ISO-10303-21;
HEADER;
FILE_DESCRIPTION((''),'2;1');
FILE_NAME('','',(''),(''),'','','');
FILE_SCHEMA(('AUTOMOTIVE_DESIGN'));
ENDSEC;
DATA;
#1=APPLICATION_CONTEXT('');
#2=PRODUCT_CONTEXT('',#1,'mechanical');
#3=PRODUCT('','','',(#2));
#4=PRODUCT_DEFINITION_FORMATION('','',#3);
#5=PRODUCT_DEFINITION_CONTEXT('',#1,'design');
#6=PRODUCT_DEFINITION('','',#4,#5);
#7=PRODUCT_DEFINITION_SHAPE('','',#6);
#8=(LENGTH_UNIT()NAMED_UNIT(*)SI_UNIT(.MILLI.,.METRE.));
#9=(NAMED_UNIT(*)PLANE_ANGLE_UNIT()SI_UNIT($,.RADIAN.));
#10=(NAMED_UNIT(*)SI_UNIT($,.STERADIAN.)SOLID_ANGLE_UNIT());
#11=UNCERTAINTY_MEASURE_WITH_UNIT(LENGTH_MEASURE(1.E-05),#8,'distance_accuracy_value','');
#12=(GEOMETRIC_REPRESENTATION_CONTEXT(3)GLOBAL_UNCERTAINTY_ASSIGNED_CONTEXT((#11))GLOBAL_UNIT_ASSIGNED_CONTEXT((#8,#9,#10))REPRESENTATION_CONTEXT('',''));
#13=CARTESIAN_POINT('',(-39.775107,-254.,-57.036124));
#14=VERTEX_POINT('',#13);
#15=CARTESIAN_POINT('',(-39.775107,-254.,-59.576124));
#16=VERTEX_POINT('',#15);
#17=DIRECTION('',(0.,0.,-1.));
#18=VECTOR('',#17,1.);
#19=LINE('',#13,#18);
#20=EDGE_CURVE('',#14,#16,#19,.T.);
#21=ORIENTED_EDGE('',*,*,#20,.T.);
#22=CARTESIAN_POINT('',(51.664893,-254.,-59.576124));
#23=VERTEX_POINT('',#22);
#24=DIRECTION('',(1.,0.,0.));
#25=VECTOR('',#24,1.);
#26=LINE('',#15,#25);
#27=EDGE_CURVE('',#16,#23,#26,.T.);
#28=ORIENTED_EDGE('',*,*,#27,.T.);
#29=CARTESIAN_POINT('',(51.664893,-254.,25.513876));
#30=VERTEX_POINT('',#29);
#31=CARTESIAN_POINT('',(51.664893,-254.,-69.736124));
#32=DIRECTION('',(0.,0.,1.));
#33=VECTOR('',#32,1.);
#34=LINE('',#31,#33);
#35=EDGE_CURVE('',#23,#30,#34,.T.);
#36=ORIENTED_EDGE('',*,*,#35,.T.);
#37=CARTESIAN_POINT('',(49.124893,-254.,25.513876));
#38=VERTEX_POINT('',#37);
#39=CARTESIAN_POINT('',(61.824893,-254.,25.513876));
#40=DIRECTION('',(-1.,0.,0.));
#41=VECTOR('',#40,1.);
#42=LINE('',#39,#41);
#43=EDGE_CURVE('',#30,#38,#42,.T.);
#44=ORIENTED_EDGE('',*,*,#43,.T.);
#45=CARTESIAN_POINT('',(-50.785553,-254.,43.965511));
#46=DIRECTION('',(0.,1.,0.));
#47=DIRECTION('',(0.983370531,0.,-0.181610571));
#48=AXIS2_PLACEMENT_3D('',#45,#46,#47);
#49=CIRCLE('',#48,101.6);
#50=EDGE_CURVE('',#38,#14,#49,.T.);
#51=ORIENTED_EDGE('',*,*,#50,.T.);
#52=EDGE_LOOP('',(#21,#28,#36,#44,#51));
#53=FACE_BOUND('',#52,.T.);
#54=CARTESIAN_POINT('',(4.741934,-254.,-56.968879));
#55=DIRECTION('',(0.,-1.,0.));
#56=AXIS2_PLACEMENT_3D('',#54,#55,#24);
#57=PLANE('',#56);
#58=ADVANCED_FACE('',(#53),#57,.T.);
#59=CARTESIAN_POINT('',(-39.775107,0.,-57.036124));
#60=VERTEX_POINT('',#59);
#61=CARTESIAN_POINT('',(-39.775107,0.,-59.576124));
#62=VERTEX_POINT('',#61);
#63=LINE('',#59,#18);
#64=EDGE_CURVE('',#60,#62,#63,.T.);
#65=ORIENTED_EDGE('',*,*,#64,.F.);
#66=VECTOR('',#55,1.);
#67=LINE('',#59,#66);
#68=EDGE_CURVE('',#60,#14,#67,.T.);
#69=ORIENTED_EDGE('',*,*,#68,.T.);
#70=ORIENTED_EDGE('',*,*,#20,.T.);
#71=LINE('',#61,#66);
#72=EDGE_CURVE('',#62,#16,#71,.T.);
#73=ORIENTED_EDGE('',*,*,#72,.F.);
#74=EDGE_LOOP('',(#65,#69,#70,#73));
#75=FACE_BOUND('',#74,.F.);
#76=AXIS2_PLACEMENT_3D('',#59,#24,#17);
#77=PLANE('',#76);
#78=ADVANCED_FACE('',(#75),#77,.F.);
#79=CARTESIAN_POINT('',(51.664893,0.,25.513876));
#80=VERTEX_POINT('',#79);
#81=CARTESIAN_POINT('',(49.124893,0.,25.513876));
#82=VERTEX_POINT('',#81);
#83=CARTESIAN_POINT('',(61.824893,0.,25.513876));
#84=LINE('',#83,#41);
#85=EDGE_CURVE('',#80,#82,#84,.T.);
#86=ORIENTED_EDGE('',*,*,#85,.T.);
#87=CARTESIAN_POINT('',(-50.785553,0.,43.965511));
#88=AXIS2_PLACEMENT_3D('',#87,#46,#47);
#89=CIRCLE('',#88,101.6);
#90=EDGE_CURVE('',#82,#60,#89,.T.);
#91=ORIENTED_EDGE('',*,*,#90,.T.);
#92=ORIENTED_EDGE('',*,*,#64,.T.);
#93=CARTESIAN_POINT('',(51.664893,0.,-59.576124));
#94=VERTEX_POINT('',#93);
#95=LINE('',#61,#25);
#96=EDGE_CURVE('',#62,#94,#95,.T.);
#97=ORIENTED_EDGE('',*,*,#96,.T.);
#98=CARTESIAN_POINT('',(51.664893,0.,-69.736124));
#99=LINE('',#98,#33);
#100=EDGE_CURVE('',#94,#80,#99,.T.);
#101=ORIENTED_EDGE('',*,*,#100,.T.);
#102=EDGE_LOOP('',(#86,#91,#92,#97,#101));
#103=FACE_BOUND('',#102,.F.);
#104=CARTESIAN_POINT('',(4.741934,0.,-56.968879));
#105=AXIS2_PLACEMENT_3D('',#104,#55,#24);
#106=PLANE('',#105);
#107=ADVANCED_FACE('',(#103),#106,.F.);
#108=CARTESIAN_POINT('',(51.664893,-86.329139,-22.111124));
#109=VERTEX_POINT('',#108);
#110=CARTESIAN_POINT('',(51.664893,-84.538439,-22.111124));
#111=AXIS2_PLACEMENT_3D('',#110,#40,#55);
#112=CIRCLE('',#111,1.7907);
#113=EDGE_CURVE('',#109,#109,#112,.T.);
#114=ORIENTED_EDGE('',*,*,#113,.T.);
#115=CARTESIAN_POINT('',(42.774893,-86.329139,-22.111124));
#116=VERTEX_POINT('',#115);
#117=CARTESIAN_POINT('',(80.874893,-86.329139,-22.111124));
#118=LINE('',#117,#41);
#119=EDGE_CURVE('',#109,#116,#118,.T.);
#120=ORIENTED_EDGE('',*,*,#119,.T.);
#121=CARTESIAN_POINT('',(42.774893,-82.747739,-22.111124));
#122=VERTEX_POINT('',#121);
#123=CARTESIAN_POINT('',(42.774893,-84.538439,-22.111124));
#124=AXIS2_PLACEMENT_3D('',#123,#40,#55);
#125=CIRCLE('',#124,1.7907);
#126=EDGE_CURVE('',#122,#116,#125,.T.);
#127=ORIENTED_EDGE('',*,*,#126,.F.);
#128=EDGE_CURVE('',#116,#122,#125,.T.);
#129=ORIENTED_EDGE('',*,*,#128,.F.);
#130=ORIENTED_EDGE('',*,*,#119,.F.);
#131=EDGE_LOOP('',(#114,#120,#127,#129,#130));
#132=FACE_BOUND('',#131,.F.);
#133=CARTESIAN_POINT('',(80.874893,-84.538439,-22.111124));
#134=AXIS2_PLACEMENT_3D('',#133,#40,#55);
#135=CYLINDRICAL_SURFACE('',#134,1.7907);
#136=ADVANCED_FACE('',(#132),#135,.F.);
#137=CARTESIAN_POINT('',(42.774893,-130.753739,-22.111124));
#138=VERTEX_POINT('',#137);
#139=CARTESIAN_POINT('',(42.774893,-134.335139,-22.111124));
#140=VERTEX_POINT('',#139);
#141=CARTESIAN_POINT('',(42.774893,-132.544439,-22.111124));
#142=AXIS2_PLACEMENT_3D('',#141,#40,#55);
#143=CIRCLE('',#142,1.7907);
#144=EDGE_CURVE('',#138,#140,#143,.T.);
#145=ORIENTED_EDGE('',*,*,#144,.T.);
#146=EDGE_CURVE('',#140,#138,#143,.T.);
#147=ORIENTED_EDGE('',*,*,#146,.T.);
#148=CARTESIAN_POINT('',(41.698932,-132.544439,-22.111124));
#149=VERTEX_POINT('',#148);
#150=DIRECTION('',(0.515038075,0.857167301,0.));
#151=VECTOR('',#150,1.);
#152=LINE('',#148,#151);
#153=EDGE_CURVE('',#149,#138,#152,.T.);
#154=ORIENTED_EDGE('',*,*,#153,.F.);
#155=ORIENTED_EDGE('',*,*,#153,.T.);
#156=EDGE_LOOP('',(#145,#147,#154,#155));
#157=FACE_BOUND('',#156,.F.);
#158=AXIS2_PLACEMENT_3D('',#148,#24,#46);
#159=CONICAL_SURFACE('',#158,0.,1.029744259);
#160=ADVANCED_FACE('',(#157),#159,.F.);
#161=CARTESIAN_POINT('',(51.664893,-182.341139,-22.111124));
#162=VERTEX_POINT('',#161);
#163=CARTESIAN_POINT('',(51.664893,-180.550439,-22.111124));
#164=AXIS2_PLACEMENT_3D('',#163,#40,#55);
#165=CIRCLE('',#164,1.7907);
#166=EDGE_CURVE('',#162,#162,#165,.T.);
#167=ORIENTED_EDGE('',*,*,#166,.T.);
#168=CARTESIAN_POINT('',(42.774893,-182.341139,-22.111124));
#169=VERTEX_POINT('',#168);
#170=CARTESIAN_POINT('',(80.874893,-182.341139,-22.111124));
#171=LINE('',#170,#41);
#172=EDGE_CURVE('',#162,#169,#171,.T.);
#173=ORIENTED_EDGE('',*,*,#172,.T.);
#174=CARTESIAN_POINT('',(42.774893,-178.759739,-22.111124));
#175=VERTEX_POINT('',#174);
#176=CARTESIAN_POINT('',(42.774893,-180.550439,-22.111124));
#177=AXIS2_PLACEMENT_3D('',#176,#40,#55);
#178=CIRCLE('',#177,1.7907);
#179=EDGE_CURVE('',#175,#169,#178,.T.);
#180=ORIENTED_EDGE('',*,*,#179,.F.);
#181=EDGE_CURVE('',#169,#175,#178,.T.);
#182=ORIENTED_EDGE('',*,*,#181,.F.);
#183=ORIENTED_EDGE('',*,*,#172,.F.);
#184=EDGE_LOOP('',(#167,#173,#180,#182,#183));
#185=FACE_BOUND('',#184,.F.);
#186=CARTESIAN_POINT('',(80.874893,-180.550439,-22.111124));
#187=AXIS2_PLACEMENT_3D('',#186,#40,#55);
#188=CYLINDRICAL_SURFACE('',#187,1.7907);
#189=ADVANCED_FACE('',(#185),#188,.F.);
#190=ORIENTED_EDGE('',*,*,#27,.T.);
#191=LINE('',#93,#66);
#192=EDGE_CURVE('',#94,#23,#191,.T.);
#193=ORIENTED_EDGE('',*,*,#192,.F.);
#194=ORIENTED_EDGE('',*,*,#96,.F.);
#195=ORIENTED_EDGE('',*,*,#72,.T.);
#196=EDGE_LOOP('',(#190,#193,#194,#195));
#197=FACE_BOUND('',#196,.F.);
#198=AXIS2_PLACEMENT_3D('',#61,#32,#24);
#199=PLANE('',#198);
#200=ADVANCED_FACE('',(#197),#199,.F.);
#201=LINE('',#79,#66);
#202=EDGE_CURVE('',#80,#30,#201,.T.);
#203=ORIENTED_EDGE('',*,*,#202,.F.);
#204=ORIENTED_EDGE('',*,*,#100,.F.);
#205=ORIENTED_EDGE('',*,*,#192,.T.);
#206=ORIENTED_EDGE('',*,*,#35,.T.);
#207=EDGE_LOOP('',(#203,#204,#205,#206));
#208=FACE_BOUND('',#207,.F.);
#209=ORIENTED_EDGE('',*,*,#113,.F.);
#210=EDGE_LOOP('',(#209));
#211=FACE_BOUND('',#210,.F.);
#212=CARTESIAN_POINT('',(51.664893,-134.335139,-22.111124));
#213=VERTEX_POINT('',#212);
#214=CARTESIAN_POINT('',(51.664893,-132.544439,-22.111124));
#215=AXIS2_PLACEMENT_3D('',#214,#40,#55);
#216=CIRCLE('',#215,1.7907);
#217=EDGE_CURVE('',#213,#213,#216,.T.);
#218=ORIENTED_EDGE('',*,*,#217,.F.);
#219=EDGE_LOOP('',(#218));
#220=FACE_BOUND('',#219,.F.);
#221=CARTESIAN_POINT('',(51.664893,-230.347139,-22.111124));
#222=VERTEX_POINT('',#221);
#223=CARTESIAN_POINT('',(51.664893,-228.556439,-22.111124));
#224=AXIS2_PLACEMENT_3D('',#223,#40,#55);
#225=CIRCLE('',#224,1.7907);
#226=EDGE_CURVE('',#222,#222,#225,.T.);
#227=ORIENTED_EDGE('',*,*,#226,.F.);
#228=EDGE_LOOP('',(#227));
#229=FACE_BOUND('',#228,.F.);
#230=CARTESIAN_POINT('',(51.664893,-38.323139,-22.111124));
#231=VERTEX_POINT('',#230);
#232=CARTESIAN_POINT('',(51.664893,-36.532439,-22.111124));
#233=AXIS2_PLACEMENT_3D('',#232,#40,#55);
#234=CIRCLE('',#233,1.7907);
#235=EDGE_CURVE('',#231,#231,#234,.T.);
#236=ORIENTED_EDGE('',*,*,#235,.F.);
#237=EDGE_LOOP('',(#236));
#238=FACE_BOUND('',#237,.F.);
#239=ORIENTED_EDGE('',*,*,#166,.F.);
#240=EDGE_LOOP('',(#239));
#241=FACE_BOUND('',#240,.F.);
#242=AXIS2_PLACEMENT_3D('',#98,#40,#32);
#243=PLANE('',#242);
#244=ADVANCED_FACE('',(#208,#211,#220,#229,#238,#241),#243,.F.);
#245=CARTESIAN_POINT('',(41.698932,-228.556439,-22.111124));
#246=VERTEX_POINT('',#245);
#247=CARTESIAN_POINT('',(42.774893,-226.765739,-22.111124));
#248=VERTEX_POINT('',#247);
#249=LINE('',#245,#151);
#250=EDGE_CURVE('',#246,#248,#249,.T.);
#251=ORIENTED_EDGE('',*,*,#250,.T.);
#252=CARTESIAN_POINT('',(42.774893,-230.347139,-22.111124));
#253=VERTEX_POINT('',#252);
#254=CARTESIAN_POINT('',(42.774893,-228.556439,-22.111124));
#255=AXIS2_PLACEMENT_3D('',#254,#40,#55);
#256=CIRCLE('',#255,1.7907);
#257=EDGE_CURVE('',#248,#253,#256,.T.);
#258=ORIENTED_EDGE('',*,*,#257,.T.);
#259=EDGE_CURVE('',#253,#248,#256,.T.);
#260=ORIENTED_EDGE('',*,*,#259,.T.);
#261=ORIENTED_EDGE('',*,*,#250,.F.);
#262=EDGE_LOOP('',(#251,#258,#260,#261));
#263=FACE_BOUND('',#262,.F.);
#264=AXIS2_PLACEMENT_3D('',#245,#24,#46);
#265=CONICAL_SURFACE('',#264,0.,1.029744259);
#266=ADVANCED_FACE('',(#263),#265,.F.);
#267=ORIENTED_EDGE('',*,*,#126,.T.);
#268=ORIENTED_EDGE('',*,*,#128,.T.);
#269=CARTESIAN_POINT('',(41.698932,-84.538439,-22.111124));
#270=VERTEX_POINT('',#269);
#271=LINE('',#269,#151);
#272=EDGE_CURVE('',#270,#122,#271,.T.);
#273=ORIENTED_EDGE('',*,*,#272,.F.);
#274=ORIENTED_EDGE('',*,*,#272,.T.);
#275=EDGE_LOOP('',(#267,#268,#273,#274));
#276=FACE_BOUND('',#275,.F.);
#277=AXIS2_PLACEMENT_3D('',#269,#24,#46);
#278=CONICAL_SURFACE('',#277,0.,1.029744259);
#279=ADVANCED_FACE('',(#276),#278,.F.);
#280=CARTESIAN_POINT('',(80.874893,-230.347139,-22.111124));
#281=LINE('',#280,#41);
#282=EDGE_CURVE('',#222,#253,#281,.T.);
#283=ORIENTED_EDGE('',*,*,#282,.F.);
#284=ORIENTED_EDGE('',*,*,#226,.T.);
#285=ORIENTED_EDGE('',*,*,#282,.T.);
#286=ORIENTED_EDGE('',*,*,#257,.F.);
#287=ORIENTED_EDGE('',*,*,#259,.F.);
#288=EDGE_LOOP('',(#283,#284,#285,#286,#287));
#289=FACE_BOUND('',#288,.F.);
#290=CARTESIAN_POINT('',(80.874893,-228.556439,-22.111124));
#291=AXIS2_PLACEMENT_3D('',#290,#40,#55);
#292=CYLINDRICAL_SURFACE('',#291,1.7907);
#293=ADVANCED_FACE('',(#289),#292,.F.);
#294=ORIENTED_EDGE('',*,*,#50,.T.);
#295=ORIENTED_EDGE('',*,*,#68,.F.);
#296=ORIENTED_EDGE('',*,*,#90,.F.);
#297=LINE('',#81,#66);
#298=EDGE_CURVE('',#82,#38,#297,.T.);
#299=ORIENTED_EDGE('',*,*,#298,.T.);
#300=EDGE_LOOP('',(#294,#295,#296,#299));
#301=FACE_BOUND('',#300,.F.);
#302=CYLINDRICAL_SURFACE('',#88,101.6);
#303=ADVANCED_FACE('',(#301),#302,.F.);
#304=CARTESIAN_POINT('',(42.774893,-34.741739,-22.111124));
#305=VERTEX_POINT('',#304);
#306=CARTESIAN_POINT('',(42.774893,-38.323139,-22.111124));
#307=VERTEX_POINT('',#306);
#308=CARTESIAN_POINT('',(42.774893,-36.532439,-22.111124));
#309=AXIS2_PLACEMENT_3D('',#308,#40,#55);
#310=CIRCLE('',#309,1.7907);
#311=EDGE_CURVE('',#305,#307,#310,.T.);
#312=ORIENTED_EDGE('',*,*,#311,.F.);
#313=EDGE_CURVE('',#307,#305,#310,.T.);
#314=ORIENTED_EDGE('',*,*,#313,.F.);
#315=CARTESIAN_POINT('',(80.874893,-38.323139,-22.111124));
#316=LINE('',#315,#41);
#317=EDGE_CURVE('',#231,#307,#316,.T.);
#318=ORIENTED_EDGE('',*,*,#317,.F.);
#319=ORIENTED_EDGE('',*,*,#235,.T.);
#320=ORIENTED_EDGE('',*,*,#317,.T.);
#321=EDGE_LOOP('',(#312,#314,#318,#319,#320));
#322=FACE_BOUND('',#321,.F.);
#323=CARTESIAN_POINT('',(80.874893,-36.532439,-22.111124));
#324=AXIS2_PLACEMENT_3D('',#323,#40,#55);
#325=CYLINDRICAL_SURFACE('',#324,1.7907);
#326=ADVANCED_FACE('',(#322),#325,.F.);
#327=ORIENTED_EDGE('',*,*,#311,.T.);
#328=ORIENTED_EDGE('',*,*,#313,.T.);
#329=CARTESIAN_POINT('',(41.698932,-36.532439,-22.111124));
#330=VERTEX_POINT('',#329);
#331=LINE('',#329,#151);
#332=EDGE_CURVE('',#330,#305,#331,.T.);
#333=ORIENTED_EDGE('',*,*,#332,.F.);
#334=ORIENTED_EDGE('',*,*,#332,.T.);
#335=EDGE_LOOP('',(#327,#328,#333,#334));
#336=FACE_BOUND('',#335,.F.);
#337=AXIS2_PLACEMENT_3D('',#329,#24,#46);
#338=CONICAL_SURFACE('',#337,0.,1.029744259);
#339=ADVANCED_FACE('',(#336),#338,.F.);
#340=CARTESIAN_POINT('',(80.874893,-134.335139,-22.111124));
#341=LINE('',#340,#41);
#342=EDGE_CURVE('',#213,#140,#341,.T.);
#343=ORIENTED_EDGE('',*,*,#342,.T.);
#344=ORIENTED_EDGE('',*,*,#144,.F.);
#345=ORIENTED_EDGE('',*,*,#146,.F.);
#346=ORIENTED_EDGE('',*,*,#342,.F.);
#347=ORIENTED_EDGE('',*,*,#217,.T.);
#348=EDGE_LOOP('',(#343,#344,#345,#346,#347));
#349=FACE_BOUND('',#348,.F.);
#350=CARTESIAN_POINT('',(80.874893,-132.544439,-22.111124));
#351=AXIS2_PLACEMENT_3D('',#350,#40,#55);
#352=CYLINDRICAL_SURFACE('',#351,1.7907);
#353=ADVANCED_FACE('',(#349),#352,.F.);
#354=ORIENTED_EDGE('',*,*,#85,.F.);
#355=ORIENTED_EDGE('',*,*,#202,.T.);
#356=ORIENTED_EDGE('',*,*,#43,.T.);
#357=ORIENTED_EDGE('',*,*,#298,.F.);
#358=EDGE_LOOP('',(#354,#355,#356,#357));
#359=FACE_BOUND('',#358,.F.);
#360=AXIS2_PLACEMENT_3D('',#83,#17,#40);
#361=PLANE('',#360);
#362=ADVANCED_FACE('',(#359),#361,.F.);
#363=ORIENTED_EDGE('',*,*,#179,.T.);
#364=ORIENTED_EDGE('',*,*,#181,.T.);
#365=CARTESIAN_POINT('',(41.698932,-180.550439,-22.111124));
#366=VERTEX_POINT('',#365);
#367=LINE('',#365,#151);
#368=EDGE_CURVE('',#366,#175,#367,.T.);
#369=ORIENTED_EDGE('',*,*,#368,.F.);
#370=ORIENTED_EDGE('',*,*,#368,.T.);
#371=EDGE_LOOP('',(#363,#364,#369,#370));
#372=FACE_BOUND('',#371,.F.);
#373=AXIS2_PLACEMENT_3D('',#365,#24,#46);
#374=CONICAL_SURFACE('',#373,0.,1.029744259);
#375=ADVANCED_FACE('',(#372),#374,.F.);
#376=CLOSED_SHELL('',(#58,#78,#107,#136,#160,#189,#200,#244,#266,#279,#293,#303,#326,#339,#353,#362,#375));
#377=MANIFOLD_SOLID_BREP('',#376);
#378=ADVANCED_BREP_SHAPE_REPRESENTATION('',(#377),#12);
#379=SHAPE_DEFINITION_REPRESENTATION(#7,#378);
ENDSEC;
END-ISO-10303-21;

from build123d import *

# Parameters (mm, degrees)
F1_DEPTH = 254
F3_D     = 3.5814
F3_DEPTH = 19.05
F3_TIP   = 1.0759611105
F4_DEPTH = 10.16
F5_DEPTH = 10.16


with BuildPart() as f1:
    # F0 (on Front) → F1 (new body)
    with BuildSketch(Plane.XZ):
        Polygon((49.1248931152, -56.7675527828), (-39.7751068848, -57.0361235134), (48.4362465841, -57.0361235134), (49.1248931152, -57.0361235134), align=None)
        with BuildLine():
            ThreePointArc((49.1248931152, 25.5138764866), (18.3482789064, -30.4863082116), (-39.7751068848, -57.0361235134))
            Line((-39.7751068848, -57.0361235134), (49.1248931152, -56.7675527828))
            Line((49.1248931152, -56.7675527828), (49.1248931152, 25.5138764866))
        make_face()
        Polygon((48.4362465841, -57.0361235134), (-39.7751068848, -57.0361235134), (-39.7751068848, -69.7361235134), (61.8248931152, -69.7361235134), (61.8248931152, -57.0361235134), (55.4748931152, -57.0361235134), (49.1248931152, -57.0361235134), align=None)
        Polygon((49.1248931152, 25.5138764866), (49.1248931152, -56.7675527828), (49.1248931152, -57.0361235134), (55.4748931152, -57.0361235134), (61.8248931152, -57.0361235134), (61.8248931152, 25.5138764866), align=None)
    extrude(amount=F1_DEPTH)

    # F3
    with Locations(Plane.YZ.offset(61.8248931152)):
        with Locations((-228.5564392805, -22.1111235134), (-180.5504392805, -22.1111235134), (-132.5444392805, -22.1111235134), (-84.5384392805, -22.1111235134), (-36.5324392805, -22.1111235134)):
            Hole(F3_D / 2, depth=F3_DEPTH)
            with Locations((0, 0, -(F3_DEPTH + F3_TIP / 2))):  # 118° drill point
                Cone(0, F3_D / 2, F3_TIP, mode=Mode.SUBTRACT)

    # F4 (cut): a face of the model
    f4_faces = [f1.faces().sort_by_distance(p)[0] for p in [
        (61.8248931152, -126.9884327642, -22.1111235134),
    ]]
    extrude(f4_faces, amount=-F4_DEPTH, mode=Mode.SUBTRACT)

    # F5 (cut): a face of the model
    f5_faces = [f1.faces().sort_by_distance(p)[0] for p in [
        (5.9448931152, -127, -69.7361235134),
    ]]
    extrude(f5_faces, amount=-F5_DEPTH, mode=Mode.SUBTRACT)


solid = f1.part
